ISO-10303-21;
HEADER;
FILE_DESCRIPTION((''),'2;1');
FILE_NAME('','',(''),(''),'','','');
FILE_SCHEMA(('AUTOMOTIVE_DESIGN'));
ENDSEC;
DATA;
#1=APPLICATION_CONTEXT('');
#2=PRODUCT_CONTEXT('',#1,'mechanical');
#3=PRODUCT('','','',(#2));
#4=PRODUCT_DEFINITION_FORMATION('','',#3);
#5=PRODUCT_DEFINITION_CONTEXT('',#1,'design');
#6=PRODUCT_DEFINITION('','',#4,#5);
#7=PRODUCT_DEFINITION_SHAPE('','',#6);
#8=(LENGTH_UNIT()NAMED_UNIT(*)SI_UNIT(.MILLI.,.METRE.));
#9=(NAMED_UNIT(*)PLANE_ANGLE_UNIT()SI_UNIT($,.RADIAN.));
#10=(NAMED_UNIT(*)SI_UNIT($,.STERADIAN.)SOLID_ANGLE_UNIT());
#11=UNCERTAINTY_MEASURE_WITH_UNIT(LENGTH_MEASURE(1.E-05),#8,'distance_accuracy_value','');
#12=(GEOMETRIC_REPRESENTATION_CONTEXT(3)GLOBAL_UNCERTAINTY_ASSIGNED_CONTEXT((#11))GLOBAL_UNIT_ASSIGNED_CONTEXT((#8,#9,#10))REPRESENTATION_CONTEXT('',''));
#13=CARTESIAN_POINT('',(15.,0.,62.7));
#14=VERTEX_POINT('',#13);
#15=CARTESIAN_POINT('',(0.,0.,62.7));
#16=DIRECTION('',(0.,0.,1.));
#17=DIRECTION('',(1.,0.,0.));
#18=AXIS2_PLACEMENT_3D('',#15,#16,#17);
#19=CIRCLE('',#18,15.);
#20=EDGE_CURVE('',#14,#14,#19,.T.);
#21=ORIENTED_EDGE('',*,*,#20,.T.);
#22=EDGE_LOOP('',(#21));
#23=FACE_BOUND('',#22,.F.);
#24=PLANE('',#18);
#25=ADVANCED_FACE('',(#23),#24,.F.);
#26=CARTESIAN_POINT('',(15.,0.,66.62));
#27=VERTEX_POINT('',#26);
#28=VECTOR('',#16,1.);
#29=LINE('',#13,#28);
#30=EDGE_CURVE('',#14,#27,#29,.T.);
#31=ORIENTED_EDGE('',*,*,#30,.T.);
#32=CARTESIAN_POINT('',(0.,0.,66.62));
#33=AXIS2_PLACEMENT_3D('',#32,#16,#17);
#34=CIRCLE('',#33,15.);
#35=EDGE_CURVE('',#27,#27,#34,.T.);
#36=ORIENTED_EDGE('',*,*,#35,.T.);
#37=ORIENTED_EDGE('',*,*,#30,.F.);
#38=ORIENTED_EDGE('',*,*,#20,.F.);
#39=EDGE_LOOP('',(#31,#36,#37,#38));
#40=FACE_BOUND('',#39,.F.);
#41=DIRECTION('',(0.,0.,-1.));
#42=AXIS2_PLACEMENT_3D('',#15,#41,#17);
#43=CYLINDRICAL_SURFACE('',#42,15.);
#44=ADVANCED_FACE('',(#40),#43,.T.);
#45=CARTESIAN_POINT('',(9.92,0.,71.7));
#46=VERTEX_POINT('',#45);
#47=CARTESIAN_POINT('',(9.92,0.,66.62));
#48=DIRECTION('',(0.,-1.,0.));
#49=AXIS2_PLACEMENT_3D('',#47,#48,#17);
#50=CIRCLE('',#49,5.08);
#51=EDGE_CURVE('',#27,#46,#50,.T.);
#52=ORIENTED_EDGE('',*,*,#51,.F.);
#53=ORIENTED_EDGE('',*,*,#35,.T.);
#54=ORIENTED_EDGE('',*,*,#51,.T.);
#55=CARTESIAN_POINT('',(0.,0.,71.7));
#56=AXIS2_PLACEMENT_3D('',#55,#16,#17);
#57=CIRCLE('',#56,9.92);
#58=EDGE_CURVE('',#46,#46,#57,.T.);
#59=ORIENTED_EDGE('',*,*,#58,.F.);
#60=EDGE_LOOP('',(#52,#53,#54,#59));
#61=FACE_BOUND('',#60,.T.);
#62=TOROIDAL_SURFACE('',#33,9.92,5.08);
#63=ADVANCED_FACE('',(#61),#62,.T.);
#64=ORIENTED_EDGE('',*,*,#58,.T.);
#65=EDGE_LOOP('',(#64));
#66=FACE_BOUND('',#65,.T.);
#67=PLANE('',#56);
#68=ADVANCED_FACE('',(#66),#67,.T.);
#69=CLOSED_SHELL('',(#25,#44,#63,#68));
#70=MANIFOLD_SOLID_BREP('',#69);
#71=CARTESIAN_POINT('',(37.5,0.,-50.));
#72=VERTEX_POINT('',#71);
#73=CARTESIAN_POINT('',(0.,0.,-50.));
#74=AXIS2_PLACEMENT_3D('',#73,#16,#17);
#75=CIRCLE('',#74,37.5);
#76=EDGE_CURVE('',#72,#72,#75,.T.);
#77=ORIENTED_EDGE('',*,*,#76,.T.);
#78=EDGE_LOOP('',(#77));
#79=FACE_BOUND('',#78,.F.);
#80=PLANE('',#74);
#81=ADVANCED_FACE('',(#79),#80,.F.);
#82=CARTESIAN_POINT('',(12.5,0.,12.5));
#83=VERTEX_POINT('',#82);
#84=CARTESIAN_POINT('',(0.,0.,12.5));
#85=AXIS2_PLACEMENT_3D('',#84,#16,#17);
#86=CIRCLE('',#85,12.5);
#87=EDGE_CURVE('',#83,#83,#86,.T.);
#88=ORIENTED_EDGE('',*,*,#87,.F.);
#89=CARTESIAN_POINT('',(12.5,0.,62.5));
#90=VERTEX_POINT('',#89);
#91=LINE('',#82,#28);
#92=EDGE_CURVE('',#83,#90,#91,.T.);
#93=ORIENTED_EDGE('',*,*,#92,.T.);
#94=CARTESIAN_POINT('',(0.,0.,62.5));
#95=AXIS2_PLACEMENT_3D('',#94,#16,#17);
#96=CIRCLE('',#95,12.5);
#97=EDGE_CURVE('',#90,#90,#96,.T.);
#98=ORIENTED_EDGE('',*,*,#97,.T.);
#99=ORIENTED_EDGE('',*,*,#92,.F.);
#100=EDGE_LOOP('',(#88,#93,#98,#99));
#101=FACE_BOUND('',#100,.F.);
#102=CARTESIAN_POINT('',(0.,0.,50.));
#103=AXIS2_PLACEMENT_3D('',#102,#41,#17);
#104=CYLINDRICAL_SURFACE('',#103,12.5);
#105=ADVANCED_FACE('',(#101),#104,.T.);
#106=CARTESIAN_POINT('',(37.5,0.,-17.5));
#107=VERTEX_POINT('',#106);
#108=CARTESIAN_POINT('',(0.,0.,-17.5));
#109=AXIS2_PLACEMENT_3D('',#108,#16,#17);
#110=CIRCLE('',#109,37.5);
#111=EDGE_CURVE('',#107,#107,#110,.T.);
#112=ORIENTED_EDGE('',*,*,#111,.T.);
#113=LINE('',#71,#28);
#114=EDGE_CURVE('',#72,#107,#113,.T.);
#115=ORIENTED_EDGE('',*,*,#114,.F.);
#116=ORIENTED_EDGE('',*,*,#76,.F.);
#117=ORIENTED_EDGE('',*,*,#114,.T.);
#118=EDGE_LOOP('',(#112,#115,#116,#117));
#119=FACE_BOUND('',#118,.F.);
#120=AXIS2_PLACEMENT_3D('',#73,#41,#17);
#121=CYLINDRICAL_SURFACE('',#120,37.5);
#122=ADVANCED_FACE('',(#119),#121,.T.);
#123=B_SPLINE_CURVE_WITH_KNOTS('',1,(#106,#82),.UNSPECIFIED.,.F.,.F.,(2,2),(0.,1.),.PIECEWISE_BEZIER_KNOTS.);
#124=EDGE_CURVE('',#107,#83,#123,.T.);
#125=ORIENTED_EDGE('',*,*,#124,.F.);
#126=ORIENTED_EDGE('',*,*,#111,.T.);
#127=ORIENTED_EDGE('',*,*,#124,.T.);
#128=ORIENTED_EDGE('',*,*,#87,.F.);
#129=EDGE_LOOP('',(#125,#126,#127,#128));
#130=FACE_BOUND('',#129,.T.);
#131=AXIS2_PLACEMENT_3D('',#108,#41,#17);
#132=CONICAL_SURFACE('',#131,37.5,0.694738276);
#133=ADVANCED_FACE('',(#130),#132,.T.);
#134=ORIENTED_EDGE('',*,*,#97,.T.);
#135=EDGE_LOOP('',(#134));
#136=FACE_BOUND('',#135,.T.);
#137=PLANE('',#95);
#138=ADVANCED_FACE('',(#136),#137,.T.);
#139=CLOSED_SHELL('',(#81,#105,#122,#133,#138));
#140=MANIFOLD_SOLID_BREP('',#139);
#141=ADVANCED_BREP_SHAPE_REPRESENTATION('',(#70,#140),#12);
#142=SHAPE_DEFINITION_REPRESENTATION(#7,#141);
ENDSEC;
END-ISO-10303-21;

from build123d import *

# Parameters (mm, degrees)
F6_R      = 15
F7_DEPTH  = 9
F8_R      = 5.08
F2_R      = 37.5
F13_DEPTH = 32.5
F10_R     = 37.5
F12_R     = 12.5
F15_DEPTH = 37.5
F4_R      = 12.5
F16_DEPTH = 12.5


with BuildPart() as f7:
    # F6 (on offset) → F7 (new body)
    with BuildSketch(Plane.XY.offset(62.7)):
        Circle(F6_R)
    extrude(amount=F7_DEPTH)

    # F8
    f8_edges = [f7.edges().sort_by_distance(p)[0] for p in [
        (-15, 0, 71.7),
    ]]
    fillet(f8_edges, radius=F8_R)


with BuildPart() as f13:
    # F2 (on offset) → F13 (new body)
    with BuildSketch(Plane.XY.offset(-50)):
        Circle(F2_R)
    extrude(amount=F13_DEPTH)

    # F10 (on offset) → F14 section 0
    with BuildSketch(Plane.XY.offset(-17.5)):
        Circle(F10_R)
    # F12 (on offset) → F14 section 1
    with BuildSketch(Plane.XY.offset(12.5)):
        Circle(F12_R)
    loft()

    # F12 (on offset) → F15 (join)
    with BuildSketch(Plane.XY.offset(12.5)):
        Circle(F12_R)
    extrude(amount=F15_DEPTH)

    # F4 (on offset) → F16 (join)
    with BuildSketch(Plane.XY.offset(50)):
        Circle(F4_R)
    extrude(amount=F16_DEPTH)


solid = Compound([f7.part, f13.part])
